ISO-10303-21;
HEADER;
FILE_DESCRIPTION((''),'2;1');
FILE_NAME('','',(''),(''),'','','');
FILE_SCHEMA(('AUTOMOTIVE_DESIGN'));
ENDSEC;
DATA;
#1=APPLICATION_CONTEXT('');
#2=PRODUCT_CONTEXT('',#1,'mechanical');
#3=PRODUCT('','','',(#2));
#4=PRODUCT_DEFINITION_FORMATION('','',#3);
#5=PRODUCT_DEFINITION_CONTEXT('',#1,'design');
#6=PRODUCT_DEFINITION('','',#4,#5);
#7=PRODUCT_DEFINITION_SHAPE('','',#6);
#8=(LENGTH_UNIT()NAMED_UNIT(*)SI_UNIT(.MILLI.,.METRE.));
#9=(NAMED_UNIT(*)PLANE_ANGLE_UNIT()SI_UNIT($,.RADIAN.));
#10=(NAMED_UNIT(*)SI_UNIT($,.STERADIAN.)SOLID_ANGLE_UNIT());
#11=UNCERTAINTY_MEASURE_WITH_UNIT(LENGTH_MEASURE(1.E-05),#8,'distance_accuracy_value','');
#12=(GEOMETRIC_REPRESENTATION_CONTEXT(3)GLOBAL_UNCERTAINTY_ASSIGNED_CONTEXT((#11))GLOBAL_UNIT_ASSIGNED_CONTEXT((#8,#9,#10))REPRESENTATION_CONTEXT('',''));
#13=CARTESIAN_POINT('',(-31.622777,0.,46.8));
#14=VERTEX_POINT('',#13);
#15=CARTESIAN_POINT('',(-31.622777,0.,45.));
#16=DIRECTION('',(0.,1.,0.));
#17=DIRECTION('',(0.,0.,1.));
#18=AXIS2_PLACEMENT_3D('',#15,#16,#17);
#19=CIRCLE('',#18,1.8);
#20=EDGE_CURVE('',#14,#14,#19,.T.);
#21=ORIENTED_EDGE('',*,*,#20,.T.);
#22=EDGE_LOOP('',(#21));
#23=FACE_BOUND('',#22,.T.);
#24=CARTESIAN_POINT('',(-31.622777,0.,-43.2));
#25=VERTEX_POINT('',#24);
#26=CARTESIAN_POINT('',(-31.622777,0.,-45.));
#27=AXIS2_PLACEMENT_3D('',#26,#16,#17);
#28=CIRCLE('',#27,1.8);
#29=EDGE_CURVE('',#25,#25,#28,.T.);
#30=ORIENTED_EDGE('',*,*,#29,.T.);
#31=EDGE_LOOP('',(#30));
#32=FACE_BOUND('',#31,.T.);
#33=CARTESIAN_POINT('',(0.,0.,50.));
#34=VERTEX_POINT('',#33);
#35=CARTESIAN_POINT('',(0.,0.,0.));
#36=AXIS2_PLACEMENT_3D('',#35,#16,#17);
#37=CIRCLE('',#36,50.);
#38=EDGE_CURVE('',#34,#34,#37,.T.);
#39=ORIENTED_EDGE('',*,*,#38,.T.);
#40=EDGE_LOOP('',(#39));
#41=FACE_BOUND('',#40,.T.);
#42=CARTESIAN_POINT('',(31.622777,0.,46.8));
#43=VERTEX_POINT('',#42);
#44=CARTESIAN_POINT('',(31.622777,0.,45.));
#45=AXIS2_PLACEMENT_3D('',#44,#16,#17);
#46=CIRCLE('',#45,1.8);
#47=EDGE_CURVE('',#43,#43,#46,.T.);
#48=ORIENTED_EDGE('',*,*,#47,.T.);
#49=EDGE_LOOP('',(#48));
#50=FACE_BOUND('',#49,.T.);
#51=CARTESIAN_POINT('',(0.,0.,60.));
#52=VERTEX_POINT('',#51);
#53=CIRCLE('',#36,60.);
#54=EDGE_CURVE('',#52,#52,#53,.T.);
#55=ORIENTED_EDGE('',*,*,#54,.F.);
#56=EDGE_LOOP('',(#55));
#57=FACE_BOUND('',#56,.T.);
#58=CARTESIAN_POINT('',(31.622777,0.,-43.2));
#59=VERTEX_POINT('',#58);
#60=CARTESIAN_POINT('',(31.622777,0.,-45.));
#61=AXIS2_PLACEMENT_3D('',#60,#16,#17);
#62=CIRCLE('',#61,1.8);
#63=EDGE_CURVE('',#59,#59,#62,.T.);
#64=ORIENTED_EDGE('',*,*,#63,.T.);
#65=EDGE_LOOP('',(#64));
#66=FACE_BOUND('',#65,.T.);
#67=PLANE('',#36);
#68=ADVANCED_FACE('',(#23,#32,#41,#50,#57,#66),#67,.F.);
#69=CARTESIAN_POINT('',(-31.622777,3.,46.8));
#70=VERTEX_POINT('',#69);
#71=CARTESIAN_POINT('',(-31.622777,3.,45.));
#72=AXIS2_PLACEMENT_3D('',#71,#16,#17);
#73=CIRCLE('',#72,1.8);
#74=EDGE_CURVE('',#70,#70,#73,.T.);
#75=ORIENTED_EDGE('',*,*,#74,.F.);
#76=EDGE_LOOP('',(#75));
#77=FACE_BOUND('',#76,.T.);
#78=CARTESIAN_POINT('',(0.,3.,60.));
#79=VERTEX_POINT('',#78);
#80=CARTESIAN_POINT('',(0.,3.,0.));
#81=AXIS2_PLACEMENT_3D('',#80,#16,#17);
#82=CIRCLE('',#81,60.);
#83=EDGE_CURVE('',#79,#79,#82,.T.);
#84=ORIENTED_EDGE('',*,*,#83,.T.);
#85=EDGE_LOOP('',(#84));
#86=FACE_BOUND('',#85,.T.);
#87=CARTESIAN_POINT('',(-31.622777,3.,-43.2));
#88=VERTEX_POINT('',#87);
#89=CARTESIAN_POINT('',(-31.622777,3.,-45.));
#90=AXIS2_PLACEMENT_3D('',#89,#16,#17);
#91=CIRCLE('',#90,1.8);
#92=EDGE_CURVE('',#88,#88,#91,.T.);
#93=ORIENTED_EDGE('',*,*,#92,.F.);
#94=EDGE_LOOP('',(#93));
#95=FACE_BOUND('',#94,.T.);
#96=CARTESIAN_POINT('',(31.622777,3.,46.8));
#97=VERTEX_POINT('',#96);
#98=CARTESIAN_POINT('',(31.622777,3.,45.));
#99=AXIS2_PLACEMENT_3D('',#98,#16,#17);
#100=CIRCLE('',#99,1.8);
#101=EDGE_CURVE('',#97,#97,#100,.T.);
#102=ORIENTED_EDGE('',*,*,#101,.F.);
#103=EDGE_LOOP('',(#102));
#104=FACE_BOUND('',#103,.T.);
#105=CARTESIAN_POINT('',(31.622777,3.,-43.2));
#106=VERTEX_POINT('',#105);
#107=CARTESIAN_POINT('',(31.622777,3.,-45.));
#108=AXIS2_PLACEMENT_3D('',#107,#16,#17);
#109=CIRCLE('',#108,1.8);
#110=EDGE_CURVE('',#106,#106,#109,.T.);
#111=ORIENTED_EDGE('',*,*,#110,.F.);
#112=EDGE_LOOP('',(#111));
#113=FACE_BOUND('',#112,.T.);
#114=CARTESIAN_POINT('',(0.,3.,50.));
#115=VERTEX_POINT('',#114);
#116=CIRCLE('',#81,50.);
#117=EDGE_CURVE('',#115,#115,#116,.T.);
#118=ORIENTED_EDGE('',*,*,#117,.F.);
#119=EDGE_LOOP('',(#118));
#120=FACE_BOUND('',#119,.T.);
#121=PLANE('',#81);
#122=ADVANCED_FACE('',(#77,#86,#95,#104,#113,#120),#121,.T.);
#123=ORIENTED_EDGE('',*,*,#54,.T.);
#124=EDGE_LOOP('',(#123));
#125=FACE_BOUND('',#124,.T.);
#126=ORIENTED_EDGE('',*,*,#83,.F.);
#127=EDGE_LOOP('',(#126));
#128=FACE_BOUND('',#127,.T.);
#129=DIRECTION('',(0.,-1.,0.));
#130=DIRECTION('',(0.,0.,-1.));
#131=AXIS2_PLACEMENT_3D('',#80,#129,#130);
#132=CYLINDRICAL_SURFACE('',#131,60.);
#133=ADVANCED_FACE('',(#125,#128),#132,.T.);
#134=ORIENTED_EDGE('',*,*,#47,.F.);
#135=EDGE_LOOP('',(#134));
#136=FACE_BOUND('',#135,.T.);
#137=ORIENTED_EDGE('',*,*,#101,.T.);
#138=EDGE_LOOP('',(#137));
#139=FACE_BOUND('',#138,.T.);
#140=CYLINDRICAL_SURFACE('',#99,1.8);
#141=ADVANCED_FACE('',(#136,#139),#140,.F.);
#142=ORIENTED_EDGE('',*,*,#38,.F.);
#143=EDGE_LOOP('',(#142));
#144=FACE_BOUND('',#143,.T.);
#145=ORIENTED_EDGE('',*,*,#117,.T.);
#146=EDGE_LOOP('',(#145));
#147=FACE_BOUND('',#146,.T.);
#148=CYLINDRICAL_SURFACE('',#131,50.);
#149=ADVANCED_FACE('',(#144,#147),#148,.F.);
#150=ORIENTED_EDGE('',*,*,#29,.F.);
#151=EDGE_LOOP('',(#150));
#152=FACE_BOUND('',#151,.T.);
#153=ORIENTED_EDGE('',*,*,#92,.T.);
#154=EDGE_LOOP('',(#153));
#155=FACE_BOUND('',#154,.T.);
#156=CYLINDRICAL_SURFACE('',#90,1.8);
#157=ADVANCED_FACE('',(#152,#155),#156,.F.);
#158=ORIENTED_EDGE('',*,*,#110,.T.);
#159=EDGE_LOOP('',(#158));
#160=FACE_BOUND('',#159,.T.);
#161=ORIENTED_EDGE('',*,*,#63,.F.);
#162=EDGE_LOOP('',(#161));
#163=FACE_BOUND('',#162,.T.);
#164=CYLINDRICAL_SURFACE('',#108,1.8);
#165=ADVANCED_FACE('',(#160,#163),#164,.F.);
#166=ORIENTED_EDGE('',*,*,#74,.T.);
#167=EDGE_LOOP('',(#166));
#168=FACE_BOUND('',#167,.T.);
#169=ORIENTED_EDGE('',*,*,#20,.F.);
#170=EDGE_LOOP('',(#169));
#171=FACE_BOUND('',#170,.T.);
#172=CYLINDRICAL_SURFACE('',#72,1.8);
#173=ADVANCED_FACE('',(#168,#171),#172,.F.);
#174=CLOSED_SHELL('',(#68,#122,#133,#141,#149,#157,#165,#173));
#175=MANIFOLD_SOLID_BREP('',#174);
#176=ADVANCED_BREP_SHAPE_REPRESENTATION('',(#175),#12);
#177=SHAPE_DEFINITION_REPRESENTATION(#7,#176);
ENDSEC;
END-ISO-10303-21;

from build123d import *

# Parameters (mm, degrees)
SKETCH_2_R      = 60
SKETCH_2_R_2    = 50
EXTRUDE_2_DEPTH = 3
M3_HUB_BOARD_D  = 3.6


with BuildPart() as part:
    # ｽｹｯﾁ2 → ﾎﾞｽ - 押し出し2 (new body)
    with BuildSketch(Plane(origin=(0, 0, 0), x_dir=(1, 0, 0), z_dir=(0, 1, 0))):
        with Locations(Location((0, 0, 0), (0, 0, 270))):
            Circle(SKETCH_2_R)
        with Locations(Location((0, 0, 0), (0, 0, 270))):
            Circle(SKETCH_2_R_2, mode=Mode.SUBTRACT)
    extrude(amount=EXTRUDE_2_DEPTH)

    # M3 Hub_Boardへの固定用穴 (through all)
    with Locations(Plane(origin=(-31.622776602, 3, -45), x_dir=(0, 0, 1), z_dir=(0, 1, 0))):
        with Locations((0, 0), (0, 63.245553204)):
            m3_hub_board = Hole(M3_HUB_BOARD_D / 2)

    # ﾐﾗｰ1: M3 Hub_Boardへの固定用穴 across plane
    add(m3_hub_board.mirror(Plane.XY), mode=Mode.SUBTRACT)


solid = part.part
